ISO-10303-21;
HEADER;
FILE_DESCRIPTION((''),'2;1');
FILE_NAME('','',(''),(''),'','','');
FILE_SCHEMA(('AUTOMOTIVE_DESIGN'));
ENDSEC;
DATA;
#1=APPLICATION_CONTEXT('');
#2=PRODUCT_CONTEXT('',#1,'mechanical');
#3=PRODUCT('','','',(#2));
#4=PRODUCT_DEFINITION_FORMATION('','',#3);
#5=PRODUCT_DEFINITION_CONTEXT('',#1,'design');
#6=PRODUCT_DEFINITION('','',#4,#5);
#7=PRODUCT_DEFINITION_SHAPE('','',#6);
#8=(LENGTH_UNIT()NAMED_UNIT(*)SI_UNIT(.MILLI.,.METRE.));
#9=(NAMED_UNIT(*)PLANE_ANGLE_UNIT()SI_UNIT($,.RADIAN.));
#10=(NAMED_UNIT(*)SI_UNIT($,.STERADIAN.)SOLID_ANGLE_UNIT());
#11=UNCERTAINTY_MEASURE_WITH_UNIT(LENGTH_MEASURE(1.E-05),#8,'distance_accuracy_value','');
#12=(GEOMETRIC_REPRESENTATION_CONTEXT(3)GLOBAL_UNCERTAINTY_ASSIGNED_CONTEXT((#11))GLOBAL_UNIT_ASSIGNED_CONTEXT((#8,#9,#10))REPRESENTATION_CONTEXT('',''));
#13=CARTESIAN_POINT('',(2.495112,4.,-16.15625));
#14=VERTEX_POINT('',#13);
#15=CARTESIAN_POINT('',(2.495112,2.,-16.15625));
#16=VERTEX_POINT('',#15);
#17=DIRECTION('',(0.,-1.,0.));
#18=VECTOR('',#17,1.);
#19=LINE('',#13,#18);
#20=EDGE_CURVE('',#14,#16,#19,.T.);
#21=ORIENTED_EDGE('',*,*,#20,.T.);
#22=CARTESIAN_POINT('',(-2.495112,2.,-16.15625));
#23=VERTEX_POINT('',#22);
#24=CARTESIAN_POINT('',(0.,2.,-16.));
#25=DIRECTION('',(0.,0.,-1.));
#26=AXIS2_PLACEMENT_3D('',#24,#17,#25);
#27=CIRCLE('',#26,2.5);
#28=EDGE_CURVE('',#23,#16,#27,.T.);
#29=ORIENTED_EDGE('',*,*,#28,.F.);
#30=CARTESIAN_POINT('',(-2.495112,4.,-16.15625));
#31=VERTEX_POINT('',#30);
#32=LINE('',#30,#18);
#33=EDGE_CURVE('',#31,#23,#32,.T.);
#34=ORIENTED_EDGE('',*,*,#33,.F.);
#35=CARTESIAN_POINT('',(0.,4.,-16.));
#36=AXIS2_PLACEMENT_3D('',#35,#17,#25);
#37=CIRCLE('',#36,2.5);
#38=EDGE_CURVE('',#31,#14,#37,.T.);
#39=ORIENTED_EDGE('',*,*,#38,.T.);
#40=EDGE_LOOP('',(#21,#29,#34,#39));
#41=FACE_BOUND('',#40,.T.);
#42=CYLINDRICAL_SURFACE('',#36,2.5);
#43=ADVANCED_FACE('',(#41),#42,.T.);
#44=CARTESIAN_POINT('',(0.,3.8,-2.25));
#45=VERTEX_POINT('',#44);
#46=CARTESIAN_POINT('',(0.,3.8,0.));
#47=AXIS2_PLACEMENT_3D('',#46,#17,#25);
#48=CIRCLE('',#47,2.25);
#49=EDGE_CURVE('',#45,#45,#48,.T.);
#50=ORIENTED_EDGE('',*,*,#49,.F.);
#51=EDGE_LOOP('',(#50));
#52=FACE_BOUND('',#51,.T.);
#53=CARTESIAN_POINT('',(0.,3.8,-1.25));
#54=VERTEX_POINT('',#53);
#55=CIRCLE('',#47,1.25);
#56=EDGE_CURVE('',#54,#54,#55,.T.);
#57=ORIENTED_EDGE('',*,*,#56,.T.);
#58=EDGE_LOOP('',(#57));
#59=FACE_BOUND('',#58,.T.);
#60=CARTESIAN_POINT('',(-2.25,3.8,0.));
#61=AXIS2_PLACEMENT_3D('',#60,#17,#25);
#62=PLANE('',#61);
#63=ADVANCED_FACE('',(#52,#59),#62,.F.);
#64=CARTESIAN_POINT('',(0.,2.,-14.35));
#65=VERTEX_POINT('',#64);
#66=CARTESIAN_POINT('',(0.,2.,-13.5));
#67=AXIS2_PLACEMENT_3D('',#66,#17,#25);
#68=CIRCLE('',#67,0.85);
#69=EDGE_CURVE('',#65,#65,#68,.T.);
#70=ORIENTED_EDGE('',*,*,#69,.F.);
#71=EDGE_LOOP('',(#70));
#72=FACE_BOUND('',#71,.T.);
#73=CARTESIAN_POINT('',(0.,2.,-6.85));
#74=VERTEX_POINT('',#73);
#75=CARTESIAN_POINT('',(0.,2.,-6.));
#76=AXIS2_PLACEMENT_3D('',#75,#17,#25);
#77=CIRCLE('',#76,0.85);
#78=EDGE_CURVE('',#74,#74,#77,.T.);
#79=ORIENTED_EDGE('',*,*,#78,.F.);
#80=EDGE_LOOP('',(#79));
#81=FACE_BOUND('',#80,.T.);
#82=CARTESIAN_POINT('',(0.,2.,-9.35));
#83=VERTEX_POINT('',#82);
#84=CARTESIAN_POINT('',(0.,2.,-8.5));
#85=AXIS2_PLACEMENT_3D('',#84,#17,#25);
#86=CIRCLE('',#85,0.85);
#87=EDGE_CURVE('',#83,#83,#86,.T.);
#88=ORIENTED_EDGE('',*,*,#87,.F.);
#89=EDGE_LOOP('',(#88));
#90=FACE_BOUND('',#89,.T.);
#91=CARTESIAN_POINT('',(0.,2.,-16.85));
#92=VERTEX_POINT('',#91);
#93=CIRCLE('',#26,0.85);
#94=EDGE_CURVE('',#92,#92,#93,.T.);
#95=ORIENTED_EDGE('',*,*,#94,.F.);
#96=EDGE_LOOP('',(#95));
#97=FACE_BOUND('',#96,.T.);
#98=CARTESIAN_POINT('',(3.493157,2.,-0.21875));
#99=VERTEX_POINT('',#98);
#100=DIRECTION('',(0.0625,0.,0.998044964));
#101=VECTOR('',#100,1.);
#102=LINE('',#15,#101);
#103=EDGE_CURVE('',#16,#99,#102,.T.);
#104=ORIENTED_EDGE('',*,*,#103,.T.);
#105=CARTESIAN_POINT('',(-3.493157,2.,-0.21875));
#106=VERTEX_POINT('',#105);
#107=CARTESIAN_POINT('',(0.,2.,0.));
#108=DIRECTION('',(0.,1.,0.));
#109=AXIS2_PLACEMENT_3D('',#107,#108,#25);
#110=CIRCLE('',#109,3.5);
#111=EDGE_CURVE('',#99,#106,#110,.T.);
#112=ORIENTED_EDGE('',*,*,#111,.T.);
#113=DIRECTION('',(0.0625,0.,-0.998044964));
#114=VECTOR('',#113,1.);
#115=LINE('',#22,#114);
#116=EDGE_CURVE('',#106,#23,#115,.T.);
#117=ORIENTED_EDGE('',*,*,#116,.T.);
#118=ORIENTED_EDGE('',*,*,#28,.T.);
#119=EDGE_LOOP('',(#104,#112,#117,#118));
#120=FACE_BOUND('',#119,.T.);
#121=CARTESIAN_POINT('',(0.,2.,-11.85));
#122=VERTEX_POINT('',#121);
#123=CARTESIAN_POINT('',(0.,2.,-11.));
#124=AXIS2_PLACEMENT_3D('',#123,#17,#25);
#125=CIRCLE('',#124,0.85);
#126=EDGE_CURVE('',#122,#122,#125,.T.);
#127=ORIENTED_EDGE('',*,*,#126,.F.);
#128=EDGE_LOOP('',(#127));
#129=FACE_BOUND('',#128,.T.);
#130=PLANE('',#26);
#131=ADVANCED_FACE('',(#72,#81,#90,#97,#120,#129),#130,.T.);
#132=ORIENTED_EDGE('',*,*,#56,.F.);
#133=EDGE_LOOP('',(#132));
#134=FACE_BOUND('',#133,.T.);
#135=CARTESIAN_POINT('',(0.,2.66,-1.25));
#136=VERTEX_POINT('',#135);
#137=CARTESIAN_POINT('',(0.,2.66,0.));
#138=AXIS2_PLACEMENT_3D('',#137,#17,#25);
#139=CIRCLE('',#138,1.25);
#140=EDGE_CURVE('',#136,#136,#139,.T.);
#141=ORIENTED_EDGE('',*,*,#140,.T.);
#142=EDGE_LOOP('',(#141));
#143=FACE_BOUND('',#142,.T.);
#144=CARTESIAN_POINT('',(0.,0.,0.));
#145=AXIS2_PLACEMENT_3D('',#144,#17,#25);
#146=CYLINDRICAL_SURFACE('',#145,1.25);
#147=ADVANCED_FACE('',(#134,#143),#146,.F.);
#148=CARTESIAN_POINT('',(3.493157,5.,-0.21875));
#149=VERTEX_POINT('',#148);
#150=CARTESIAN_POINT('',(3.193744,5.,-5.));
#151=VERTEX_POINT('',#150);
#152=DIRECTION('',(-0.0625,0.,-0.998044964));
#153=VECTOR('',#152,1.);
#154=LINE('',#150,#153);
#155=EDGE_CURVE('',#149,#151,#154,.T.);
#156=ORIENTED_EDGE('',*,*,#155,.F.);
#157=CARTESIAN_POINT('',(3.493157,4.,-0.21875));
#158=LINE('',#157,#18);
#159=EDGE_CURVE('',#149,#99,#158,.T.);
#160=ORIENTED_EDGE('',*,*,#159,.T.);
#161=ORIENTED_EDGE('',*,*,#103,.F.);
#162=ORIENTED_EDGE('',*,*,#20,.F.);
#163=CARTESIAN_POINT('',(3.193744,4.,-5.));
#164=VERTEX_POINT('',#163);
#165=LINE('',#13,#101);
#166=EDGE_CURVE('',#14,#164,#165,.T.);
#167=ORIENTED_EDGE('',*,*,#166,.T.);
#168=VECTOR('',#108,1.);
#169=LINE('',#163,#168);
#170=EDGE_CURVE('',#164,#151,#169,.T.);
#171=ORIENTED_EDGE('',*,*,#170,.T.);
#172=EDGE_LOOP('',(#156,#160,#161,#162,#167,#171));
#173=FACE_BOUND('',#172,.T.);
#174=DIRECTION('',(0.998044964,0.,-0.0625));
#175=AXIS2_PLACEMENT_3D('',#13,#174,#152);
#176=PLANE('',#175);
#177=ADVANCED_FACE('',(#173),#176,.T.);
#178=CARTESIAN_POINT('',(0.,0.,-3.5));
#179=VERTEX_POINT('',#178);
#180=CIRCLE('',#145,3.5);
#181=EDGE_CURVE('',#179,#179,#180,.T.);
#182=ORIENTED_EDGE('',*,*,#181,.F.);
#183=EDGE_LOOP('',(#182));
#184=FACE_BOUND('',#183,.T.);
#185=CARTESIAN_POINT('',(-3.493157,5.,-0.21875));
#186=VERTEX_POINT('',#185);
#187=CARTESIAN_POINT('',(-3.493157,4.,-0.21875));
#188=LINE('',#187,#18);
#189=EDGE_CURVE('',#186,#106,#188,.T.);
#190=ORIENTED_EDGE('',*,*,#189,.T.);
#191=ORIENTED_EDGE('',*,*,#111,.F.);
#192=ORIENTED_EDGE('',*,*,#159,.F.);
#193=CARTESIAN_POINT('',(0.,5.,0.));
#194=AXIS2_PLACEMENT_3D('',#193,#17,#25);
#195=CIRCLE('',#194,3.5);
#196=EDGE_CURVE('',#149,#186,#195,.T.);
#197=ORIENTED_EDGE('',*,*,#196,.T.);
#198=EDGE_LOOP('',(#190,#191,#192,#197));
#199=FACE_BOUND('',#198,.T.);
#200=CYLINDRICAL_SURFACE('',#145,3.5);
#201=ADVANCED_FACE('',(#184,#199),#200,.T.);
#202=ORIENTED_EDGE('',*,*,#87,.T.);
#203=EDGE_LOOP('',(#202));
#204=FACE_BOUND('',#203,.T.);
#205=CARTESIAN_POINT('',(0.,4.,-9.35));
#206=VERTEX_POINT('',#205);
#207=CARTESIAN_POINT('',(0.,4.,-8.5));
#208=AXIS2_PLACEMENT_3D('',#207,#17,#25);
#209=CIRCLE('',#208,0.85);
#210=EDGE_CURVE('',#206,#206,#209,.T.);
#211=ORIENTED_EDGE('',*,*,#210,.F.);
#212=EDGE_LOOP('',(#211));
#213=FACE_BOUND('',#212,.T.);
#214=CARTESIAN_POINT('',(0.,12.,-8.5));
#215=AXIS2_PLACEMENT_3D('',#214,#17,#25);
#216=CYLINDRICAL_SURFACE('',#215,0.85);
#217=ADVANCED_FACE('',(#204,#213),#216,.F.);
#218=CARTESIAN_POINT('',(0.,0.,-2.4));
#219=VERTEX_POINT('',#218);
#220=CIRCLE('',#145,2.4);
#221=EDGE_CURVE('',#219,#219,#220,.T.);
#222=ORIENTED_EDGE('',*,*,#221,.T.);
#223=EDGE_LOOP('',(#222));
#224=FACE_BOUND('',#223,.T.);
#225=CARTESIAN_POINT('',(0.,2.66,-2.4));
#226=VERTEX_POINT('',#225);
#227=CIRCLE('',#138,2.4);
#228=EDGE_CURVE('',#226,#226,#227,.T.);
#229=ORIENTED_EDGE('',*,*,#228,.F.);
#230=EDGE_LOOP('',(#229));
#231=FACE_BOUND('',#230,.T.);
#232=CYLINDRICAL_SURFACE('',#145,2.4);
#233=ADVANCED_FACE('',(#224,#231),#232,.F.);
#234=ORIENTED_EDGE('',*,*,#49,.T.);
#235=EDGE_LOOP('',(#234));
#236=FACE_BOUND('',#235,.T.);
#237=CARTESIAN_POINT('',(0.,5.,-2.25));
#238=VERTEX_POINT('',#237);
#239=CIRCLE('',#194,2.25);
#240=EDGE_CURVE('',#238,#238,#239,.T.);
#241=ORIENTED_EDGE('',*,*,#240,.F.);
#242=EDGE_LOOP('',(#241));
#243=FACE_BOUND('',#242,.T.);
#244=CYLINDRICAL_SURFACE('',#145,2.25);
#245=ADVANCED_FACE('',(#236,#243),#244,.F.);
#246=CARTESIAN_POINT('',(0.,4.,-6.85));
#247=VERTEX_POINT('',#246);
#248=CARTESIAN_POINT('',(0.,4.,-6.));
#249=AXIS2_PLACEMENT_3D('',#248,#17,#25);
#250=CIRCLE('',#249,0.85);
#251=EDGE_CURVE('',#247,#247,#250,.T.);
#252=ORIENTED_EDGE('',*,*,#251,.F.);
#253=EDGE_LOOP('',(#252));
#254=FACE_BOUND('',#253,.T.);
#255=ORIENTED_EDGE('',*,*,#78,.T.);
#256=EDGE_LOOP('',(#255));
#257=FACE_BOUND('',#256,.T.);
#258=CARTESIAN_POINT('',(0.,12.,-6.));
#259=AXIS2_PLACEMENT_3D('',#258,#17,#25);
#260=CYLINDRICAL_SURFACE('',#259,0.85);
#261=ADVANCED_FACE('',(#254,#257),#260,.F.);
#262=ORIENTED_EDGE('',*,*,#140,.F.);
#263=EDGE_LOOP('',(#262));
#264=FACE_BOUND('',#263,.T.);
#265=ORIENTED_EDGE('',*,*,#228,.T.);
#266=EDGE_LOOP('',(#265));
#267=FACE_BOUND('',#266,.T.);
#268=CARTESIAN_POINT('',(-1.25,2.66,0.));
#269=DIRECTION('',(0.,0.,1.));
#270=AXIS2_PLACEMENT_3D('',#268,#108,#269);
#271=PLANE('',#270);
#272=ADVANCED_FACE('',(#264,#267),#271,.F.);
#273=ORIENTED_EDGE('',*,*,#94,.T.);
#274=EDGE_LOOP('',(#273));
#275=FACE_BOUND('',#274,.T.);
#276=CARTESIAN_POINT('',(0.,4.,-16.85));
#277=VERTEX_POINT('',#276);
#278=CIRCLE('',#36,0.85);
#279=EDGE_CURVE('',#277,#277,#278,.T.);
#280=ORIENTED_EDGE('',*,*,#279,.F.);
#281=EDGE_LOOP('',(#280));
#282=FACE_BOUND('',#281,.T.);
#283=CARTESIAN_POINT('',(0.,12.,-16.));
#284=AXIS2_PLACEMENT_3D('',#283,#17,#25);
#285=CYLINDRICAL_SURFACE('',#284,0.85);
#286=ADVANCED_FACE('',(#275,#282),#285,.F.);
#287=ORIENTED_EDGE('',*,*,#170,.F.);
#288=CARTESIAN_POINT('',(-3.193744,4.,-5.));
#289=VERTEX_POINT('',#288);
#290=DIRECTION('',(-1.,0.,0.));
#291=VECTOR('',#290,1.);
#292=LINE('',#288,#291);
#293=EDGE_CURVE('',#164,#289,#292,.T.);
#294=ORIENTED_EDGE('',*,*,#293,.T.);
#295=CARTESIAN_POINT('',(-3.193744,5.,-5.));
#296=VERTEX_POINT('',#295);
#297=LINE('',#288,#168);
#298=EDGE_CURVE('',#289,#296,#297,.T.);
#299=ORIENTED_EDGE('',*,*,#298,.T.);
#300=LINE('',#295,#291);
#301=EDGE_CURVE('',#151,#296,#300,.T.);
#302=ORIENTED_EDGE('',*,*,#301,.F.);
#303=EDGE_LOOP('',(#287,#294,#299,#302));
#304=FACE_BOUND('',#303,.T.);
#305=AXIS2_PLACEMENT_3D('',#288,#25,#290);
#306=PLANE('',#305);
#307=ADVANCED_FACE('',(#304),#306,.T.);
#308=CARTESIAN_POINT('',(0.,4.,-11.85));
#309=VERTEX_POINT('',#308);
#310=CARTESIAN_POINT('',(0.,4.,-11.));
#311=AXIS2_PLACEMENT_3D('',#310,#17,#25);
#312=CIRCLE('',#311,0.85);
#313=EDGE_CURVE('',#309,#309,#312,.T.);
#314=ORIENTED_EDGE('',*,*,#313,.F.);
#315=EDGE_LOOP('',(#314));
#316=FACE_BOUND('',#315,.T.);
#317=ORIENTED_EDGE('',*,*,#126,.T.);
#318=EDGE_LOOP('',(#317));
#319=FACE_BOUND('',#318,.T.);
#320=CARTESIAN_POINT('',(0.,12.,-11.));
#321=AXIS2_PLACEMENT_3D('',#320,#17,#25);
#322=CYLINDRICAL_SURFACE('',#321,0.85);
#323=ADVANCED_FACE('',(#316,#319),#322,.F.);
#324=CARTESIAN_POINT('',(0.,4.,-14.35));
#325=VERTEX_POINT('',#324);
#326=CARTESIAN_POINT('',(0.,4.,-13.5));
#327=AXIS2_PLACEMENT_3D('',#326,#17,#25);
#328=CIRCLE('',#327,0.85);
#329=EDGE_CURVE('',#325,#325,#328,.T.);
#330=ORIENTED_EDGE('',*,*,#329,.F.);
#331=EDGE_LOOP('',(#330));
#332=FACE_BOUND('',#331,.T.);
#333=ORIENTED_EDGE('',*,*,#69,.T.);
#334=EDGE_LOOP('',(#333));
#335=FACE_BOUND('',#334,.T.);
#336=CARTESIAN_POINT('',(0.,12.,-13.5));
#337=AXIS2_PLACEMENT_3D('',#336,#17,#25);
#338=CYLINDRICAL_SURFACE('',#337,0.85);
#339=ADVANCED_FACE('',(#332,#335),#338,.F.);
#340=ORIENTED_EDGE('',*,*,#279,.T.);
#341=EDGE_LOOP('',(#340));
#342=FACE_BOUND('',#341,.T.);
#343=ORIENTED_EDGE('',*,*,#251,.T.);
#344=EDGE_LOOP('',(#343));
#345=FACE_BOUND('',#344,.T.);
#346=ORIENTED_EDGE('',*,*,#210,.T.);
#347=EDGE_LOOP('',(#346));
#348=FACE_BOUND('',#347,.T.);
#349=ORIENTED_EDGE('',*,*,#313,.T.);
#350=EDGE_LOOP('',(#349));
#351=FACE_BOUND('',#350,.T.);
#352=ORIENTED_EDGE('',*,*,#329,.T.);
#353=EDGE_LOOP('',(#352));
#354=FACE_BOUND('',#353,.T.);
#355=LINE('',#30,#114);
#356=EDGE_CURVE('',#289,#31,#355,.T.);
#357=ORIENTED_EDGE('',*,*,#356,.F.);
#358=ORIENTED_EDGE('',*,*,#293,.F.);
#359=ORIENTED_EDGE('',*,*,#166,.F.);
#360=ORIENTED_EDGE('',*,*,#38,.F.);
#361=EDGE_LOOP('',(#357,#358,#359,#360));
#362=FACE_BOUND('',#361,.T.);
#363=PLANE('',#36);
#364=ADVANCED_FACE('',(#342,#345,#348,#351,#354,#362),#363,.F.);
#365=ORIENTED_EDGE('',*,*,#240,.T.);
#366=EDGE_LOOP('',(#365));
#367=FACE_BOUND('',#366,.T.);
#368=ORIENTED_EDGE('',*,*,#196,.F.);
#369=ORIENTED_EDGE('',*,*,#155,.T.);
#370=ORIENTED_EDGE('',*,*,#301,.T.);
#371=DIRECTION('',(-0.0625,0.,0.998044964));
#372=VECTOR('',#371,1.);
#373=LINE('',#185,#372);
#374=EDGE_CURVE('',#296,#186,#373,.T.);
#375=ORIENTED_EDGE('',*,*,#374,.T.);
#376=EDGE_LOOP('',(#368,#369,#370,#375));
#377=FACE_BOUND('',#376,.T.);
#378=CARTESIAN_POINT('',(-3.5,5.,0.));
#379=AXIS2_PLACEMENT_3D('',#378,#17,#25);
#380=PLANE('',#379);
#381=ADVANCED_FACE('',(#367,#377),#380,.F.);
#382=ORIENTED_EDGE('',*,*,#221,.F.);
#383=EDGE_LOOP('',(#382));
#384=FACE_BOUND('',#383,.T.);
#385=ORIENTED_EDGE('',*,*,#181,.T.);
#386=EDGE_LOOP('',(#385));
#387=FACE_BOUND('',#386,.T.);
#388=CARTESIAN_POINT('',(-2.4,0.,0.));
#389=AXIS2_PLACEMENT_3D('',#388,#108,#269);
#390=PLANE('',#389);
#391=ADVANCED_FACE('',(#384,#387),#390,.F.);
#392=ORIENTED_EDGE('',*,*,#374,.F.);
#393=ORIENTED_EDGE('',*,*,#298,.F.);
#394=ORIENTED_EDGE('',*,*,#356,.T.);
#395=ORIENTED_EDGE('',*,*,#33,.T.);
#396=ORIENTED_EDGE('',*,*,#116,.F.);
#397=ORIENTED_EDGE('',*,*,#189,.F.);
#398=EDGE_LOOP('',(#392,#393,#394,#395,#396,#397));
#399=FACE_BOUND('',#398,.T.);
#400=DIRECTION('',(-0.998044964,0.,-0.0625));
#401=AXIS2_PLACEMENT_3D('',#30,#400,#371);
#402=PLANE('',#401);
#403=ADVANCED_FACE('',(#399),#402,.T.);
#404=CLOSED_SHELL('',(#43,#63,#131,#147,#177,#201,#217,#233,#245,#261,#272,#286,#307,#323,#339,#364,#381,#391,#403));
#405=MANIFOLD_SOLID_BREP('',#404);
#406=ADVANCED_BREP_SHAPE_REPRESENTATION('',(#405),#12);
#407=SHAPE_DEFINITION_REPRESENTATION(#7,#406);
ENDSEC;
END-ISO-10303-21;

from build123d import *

# Parameters (mm, degrees)
EXTRUDE_START       = -2
EXTRUDE_1_DEPTH     = 2
EXTRUDE_2_DEPTH     = 1
SKETCH_4_R          = 0.85
CUT_EXTRUDE_1_DEPTH = 10


with BuildPart() as part:
    # 草图1 → 旋转1 (revolve)
    with BuildSketch(Plane.XY, mode=Mode.PRIVATE) as revolve_1_sk:
        Polygon((-2.4, 0), (-3.5, 0), (-3.5, 5), (-2.25, 5), (-2.25, 3.8), (-1.25, 3.8), (-1.25, 2.66), (-2.4, 2.66), align=None)
    revolve(revolve_1_sk.sketch.rotate(Axis((0, 0, 0), (0, 1, 0)), 270), axis=Axis((0, 0, 0), (0, 1, 0)))

    # 草图2 → 凸台-拉伸1 (add)
    with BuildSketch(Plane(origin=(0, 2, 0), x_dir=(-1, 0, 0), z_dir=(0, -1, 0)).offset(EXTRUDE_START)):
        with BuildLine():
            Line((-2.49511241, 16.15625), (-3.493157374, 0.21875))
            ThreePointArc((-3.493157374, 0.21875), (0, 3.5), (3.493157374, 0.21875))
            Line((3.493157374, 0.21875), (2.49511241, 16.15625))
            ThreePointArc((2.49511241, 16.15625), (0, 18.5), (-2.49511241, 16.15625))
        make_face()
    extrude(amount=EXTRUDE_1_DEPTH)

    # 草图3 → 凸台-拉伸2 (add)
    with BuildSketch(Plane(origin=(0, 5, 0), x_dir=(1, 0, 0), z_dir=(0, 1, 0))):
        with BuildLine():
            Line((-3.193743885, 5), (3.193743885, 5))
            Line((3.193743885, 5), (3.493157374, 0.21875))
            ThreePointArc((3.493157374, 0.21875), (0, 3.5), (-3.493157374, 0.21875))
            Line((-3.493157374, 0.21875), (-3.193743885, 5))
        make_face()
    extrude(amount=-EXTRUDE_2_DEPTH)

    # 草图4 → 切除-拉伸1 (cut)
    with BuildSketch(Plane.XZ.offset(-2)):
        with Locations(Location((0, -6, 0), (0, 0, 270))):
            Circle(SKETCH_4_R)
        with Locations(Location((0, -16, 0), (0, 0, 270))):
            Circle(SKETCH_4_R)
        with Locations(Location((0, -13.5, 0), (0, 0, 270))):
            Circle(SKETCH_4_R)
        with Locations(Location((0, -8.5, 0), (0, 0, 270))):
            Circle(SKETCH_4_R)
        with Locations(Location((0, -11, 0), (0, 0, 270))):
            Circle(SKETCH_4_R)
    extrude(amount=-CUT_EXTRUDE_1_DEPTH, mode=Mode.SUBTRACT)


solid = part.part
